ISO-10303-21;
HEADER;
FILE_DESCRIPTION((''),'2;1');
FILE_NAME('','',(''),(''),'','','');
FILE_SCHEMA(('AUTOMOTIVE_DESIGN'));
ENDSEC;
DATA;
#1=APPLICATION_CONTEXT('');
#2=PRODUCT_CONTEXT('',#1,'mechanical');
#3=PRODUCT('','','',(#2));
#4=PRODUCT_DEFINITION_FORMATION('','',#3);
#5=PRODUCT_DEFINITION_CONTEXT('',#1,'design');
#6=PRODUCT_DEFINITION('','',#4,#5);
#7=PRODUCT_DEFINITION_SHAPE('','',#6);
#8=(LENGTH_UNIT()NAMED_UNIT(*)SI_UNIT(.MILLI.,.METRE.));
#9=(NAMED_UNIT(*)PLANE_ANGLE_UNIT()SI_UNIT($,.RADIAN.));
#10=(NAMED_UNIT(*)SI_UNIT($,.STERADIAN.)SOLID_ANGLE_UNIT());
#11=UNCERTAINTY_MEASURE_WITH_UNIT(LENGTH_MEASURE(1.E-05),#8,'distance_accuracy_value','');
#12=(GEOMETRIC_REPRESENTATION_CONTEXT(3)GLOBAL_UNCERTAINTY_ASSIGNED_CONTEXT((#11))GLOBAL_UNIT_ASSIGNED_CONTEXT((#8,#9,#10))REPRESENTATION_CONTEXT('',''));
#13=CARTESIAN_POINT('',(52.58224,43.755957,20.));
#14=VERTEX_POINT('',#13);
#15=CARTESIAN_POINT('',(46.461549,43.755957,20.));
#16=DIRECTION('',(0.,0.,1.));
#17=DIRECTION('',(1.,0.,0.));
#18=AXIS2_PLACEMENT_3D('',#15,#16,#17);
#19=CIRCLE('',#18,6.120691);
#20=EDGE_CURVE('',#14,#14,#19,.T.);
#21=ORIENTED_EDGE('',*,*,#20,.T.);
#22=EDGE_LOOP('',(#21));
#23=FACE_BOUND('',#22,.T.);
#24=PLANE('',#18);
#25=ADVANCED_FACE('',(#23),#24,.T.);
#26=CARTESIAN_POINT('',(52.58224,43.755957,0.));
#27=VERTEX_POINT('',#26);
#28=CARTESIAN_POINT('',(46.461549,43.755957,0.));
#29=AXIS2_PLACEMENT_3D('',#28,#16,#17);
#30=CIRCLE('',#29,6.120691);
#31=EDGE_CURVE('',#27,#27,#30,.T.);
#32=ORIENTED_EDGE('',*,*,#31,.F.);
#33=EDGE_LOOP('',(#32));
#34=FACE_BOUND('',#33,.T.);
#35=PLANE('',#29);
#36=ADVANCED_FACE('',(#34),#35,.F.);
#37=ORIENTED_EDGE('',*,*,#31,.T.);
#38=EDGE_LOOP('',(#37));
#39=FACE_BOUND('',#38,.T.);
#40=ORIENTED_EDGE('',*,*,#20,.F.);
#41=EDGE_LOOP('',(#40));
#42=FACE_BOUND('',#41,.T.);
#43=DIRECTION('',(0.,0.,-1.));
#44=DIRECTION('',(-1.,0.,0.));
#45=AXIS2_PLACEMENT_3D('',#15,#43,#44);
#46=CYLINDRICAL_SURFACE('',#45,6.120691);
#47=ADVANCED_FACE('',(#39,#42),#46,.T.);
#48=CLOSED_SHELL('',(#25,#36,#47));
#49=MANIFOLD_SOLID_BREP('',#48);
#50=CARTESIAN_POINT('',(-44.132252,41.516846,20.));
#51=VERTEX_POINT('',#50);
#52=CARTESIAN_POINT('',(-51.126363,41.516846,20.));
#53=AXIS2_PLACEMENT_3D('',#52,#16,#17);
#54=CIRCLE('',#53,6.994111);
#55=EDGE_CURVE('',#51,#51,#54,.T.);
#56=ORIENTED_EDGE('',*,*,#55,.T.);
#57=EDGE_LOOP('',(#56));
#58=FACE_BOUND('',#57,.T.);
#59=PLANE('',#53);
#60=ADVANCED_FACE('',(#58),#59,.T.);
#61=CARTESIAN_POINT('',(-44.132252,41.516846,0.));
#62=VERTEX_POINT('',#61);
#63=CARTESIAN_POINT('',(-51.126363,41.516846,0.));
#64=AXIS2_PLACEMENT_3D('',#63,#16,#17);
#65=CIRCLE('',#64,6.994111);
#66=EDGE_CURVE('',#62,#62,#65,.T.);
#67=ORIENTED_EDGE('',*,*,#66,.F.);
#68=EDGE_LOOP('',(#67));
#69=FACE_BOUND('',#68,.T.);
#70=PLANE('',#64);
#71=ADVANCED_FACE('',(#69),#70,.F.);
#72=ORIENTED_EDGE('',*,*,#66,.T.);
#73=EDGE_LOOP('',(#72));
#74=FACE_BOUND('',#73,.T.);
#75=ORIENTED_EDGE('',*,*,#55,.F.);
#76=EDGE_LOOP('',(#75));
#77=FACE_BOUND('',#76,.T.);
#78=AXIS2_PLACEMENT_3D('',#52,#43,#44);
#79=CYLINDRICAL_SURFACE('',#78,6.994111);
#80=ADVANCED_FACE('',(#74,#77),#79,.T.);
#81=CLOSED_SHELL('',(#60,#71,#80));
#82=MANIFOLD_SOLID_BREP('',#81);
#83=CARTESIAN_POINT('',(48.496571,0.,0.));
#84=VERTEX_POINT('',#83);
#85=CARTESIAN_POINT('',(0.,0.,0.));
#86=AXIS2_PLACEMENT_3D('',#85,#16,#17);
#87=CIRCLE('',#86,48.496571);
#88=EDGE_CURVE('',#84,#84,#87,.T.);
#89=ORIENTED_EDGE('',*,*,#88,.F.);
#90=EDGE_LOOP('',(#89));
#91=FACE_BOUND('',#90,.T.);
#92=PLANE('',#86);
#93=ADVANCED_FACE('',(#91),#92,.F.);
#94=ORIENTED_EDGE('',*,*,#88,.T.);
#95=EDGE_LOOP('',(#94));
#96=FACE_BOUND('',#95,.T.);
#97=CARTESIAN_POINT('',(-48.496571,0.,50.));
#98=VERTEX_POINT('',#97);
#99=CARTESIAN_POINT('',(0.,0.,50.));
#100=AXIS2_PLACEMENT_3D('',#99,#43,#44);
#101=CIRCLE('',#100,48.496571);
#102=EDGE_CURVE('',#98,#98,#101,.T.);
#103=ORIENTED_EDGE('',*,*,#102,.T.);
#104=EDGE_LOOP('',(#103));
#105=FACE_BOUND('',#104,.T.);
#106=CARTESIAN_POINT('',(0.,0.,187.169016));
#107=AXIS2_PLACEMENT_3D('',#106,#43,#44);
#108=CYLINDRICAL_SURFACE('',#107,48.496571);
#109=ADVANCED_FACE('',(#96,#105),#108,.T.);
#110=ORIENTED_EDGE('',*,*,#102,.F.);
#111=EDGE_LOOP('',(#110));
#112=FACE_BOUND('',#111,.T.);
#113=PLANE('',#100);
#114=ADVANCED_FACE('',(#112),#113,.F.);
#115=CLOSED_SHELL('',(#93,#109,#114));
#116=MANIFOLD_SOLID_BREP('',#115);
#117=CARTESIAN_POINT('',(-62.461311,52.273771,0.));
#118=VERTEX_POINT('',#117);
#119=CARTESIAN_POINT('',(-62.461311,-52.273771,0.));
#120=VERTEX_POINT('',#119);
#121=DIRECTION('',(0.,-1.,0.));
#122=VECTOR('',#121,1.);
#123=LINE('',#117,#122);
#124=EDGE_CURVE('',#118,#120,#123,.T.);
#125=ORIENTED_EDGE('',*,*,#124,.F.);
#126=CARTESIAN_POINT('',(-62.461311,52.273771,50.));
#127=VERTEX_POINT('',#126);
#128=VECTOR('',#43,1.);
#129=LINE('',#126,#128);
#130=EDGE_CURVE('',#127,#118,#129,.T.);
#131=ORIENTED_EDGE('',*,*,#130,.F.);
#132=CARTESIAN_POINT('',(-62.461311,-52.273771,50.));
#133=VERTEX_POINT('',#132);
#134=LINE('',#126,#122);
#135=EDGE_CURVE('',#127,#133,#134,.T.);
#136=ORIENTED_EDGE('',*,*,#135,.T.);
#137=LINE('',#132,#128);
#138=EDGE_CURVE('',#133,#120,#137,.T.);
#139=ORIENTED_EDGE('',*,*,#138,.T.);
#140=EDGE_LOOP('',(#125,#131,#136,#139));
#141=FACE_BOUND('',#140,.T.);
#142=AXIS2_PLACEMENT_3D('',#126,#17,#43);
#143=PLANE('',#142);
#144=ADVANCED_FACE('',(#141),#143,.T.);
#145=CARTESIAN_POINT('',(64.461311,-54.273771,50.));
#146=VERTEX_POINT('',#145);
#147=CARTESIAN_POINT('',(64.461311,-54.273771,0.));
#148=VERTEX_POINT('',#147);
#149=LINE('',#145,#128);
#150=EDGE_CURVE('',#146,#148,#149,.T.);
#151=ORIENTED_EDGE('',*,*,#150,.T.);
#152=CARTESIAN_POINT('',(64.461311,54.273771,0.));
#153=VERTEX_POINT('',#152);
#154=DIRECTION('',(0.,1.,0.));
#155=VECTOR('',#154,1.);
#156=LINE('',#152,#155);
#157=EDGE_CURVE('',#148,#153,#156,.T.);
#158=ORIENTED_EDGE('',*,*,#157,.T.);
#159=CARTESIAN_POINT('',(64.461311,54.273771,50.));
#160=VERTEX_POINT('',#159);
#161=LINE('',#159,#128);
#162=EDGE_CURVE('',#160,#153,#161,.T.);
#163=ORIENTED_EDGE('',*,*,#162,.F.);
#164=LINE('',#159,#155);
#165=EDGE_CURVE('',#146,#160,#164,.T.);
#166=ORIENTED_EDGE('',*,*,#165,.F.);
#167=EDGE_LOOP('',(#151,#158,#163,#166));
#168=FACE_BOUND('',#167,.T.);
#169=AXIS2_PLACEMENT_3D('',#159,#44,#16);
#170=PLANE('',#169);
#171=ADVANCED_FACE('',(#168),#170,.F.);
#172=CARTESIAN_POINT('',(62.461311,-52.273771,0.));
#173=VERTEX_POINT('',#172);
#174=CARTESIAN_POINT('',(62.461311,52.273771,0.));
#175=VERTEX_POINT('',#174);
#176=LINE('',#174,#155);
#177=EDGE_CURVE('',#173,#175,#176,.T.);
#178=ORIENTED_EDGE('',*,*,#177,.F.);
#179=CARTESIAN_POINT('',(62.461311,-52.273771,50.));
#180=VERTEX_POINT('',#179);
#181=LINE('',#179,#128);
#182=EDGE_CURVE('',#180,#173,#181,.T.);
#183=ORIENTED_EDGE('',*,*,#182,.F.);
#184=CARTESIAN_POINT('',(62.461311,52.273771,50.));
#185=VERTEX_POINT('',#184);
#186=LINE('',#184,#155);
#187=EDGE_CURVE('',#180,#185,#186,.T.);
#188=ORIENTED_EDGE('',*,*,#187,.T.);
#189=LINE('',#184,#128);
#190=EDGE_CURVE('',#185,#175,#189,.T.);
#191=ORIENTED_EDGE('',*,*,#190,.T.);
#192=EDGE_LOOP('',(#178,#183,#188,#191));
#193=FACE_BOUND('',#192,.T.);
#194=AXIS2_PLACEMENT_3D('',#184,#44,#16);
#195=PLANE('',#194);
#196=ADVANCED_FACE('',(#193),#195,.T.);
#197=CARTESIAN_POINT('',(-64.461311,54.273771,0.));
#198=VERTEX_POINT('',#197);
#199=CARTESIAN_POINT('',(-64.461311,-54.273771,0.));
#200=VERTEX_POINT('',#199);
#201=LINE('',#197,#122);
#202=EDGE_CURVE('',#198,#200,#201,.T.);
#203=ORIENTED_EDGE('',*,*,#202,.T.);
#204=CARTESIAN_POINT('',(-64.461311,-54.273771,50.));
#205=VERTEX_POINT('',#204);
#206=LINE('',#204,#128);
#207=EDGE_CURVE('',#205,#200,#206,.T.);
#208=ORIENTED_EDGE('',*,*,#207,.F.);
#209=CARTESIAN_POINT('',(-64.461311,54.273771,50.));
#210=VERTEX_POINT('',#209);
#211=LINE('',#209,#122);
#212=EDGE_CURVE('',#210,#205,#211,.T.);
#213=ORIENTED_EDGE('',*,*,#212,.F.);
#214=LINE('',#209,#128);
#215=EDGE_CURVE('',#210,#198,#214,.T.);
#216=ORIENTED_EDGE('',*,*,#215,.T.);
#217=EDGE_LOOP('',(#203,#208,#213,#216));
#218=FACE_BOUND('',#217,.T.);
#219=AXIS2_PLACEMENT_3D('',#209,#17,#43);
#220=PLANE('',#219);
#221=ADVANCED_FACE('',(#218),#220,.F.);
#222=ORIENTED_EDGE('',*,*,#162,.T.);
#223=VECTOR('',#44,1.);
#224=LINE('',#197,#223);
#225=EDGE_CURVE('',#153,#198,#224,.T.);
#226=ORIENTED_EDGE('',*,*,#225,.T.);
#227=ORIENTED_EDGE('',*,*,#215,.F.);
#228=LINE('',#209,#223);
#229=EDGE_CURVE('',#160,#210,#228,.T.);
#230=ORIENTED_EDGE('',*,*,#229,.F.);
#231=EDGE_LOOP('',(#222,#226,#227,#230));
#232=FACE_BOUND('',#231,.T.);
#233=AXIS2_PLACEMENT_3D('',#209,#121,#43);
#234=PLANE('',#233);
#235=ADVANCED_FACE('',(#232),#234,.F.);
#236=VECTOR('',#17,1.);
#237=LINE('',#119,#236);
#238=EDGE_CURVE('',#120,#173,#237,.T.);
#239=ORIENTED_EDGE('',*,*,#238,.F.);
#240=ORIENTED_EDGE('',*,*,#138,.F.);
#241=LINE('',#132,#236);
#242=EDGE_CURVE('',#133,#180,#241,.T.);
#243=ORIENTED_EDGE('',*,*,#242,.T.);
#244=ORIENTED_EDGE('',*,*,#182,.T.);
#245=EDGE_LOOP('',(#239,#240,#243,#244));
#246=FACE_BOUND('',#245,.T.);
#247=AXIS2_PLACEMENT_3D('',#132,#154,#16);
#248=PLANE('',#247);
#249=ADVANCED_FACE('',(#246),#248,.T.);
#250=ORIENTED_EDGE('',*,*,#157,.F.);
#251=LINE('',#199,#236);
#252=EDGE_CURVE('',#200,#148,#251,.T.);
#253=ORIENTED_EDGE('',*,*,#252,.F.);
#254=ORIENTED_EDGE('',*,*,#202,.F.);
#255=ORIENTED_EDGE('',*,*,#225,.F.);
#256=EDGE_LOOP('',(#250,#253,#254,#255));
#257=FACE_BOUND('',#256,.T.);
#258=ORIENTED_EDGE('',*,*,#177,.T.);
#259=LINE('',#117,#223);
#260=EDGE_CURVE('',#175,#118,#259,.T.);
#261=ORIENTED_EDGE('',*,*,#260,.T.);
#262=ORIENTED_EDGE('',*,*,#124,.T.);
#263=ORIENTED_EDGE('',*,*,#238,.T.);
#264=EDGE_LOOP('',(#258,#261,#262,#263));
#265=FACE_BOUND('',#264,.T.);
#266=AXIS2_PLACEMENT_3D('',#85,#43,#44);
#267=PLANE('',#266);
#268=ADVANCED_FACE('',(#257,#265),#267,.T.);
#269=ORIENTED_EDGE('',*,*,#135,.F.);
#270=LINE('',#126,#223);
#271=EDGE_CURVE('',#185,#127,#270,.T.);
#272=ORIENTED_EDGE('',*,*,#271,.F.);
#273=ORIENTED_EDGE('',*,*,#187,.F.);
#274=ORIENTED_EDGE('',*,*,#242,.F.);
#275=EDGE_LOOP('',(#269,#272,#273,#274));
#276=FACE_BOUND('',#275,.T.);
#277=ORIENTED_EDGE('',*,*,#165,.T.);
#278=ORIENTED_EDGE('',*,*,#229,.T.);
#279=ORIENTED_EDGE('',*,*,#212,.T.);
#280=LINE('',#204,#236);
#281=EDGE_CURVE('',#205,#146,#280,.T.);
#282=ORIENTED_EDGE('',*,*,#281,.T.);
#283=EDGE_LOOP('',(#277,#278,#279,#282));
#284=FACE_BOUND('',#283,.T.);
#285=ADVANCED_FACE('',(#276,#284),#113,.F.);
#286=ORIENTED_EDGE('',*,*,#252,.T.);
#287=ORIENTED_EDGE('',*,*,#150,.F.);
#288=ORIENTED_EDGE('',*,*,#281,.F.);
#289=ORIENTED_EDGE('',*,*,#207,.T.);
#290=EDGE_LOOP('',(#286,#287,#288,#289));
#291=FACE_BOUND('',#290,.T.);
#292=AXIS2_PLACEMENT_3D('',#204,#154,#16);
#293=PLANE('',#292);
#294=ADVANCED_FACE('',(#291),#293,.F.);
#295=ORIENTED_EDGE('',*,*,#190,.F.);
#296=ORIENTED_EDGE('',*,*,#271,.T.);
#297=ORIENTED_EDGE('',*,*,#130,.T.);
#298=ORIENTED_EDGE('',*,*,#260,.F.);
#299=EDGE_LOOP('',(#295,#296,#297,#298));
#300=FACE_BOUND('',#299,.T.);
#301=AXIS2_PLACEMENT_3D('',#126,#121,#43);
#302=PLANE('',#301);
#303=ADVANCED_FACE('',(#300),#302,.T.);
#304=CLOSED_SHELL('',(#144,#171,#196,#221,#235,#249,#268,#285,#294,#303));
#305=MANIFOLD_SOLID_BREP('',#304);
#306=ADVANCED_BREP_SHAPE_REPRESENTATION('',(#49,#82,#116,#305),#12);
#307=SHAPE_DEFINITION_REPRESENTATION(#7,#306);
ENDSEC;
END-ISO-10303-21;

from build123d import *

# Parameters (mm, degrees)
SKETCH1_W             = 128.922622712
SKETCH1_H             = 108.547542538
SKETCH1_W_2           = 124.922622712
SKETCH1_H_2           = 104.547542538
BOSS_EXTRUDE1_DEPTH   = 50
SKETCH2_R             = 48.496570744
BOSS_EXTRUDE2_DEPTH   = 50
SKETCH3_R             = 6.994110628
BOSS_EXTRUDE3_DEPTH   = 20
SKETCH3_R_2           = 6.120691225
BOSS_EXTRUDE3_2_DEPTH = 20


with BuildPart() as part:
    # Sketch1 → Boss-Extrude1 (new body)
    with BuildSketch(Plane.XY):
        Rectangle(SKETCH1_W, SKETCH1_H)
        Rectangle(SKETCH1_W_2, SKETCH1_H_2, mode=Mode.SUBTRACT)
    extrude(amount=BOSS_EXTRUDE1_DEPTH)


with BuildPart() as body_2:
    # Sketch2 → Boss-Extrude2 (new body)
    with BuildSketch(Plane.XY):
        with Locations(Location((0, 0, 0), (0, 0, 180))):
            Circle(SKETCH2_R)
    extrude(amount=BOSS_EXTRUDE2_DEPTH)


with BuildPart() as body_3:
    # Sketch3 → Boss-Extrude3 (new body)
    with BuildSketch(Plane.XY):
        with Locations((-51.126362865, 41.516845757)):
            Circle(SKETCH3_R)
    extrude(amount=BOSS_EXTRUDE3_DEPTH)


with BuildPart() as body_4:
    # Sketch3 → Boss-Extrude3 2 (new body)
    with BuildSketch(Plane.XY):
        with Locations((46.461548735, 43.755956539)):
            Circle(SKETCH3_R_2)
    extrude(amount=BOSS_EXTRUDE3_2_DEPTH)


solid = Compound([part.part, body_2.part, body_3.part, body_4.part])
